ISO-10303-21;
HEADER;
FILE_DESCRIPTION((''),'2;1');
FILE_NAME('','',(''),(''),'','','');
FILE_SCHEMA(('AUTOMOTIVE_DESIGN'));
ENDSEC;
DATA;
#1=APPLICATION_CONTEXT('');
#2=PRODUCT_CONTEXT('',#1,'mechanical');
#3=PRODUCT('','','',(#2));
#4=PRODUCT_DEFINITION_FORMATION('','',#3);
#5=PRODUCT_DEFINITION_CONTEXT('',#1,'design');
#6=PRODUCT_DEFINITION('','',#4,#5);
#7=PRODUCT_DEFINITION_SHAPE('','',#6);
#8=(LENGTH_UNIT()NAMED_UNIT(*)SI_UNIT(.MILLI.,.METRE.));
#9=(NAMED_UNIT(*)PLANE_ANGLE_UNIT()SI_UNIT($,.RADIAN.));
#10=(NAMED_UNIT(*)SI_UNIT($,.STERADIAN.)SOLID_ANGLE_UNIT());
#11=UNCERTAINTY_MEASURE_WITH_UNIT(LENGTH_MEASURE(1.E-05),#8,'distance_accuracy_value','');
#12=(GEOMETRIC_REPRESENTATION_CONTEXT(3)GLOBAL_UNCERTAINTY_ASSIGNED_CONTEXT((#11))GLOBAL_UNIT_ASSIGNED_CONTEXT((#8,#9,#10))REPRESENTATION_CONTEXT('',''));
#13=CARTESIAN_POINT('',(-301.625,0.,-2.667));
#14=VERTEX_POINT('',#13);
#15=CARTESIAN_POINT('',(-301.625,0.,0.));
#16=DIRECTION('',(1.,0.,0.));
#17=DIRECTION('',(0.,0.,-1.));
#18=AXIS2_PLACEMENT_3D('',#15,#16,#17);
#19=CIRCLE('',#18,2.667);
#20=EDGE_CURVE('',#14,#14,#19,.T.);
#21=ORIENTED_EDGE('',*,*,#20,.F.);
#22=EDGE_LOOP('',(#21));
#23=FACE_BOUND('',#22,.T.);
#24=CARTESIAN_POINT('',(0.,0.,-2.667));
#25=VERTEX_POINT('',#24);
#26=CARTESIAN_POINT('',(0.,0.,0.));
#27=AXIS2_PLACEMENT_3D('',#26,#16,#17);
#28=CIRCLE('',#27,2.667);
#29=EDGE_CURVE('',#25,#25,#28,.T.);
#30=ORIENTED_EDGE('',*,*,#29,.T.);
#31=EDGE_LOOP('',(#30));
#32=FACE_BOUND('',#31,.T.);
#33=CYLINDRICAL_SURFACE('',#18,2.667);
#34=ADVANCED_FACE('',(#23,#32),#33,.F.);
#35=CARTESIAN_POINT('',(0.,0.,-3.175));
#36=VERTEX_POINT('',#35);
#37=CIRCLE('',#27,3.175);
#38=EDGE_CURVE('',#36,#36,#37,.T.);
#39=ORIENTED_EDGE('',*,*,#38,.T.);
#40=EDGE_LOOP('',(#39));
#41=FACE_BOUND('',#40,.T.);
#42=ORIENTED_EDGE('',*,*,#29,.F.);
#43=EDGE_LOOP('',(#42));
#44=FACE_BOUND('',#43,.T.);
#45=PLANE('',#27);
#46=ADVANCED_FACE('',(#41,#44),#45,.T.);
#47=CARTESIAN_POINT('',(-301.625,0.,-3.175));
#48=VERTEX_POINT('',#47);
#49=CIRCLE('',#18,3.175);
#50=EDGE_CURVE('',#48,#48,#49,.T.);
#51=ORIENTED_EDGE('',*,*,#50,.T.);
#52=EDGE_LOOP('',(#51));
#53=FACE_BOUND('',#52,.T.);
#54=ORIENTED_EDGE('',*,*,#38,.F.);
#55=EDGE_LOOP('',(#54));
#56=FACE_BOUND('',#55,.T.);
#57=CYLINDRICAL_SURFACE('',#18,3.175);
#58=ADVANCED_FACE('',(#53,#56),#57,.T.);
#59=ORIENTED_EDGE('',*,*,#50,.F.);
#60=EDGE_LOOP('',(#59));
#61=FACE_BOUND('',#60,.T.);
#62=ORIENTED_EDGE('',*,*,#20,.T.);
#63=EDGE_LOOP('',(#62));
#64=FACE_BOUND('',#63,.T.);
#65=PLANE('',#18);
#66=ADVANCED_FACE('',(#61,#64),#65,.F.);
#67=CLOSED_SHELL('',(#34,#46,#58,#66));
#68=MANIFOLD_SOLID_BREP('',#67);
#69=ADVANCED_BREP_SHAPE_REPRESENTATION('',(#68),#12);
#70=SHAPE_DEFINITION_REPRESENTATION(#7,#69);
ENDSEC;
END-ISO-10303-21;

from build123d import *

# Parameters (mm, degrees)
SKETCH1_R           = 3.175
SKETCH1_R_2         = 2.667
BOSS_EXTRUDE1_DEPTH = 301.625


with BuildPart() as part:
    # Sketch1 → Boss-Extrude1 (new body)
    with BuildSketch(Plane(origin=(0, 0, 0), x_dir=(0, 0, -1), z_dir=(1, 0, 0))):
        Circle(SKETCH1_R)
        Circle(SKETCH1_R_2, mode=Mode.SUBTRACT)
    extrude(amount=-BOSS_EXTRUDE1_DEPTH)


solid = part.part
